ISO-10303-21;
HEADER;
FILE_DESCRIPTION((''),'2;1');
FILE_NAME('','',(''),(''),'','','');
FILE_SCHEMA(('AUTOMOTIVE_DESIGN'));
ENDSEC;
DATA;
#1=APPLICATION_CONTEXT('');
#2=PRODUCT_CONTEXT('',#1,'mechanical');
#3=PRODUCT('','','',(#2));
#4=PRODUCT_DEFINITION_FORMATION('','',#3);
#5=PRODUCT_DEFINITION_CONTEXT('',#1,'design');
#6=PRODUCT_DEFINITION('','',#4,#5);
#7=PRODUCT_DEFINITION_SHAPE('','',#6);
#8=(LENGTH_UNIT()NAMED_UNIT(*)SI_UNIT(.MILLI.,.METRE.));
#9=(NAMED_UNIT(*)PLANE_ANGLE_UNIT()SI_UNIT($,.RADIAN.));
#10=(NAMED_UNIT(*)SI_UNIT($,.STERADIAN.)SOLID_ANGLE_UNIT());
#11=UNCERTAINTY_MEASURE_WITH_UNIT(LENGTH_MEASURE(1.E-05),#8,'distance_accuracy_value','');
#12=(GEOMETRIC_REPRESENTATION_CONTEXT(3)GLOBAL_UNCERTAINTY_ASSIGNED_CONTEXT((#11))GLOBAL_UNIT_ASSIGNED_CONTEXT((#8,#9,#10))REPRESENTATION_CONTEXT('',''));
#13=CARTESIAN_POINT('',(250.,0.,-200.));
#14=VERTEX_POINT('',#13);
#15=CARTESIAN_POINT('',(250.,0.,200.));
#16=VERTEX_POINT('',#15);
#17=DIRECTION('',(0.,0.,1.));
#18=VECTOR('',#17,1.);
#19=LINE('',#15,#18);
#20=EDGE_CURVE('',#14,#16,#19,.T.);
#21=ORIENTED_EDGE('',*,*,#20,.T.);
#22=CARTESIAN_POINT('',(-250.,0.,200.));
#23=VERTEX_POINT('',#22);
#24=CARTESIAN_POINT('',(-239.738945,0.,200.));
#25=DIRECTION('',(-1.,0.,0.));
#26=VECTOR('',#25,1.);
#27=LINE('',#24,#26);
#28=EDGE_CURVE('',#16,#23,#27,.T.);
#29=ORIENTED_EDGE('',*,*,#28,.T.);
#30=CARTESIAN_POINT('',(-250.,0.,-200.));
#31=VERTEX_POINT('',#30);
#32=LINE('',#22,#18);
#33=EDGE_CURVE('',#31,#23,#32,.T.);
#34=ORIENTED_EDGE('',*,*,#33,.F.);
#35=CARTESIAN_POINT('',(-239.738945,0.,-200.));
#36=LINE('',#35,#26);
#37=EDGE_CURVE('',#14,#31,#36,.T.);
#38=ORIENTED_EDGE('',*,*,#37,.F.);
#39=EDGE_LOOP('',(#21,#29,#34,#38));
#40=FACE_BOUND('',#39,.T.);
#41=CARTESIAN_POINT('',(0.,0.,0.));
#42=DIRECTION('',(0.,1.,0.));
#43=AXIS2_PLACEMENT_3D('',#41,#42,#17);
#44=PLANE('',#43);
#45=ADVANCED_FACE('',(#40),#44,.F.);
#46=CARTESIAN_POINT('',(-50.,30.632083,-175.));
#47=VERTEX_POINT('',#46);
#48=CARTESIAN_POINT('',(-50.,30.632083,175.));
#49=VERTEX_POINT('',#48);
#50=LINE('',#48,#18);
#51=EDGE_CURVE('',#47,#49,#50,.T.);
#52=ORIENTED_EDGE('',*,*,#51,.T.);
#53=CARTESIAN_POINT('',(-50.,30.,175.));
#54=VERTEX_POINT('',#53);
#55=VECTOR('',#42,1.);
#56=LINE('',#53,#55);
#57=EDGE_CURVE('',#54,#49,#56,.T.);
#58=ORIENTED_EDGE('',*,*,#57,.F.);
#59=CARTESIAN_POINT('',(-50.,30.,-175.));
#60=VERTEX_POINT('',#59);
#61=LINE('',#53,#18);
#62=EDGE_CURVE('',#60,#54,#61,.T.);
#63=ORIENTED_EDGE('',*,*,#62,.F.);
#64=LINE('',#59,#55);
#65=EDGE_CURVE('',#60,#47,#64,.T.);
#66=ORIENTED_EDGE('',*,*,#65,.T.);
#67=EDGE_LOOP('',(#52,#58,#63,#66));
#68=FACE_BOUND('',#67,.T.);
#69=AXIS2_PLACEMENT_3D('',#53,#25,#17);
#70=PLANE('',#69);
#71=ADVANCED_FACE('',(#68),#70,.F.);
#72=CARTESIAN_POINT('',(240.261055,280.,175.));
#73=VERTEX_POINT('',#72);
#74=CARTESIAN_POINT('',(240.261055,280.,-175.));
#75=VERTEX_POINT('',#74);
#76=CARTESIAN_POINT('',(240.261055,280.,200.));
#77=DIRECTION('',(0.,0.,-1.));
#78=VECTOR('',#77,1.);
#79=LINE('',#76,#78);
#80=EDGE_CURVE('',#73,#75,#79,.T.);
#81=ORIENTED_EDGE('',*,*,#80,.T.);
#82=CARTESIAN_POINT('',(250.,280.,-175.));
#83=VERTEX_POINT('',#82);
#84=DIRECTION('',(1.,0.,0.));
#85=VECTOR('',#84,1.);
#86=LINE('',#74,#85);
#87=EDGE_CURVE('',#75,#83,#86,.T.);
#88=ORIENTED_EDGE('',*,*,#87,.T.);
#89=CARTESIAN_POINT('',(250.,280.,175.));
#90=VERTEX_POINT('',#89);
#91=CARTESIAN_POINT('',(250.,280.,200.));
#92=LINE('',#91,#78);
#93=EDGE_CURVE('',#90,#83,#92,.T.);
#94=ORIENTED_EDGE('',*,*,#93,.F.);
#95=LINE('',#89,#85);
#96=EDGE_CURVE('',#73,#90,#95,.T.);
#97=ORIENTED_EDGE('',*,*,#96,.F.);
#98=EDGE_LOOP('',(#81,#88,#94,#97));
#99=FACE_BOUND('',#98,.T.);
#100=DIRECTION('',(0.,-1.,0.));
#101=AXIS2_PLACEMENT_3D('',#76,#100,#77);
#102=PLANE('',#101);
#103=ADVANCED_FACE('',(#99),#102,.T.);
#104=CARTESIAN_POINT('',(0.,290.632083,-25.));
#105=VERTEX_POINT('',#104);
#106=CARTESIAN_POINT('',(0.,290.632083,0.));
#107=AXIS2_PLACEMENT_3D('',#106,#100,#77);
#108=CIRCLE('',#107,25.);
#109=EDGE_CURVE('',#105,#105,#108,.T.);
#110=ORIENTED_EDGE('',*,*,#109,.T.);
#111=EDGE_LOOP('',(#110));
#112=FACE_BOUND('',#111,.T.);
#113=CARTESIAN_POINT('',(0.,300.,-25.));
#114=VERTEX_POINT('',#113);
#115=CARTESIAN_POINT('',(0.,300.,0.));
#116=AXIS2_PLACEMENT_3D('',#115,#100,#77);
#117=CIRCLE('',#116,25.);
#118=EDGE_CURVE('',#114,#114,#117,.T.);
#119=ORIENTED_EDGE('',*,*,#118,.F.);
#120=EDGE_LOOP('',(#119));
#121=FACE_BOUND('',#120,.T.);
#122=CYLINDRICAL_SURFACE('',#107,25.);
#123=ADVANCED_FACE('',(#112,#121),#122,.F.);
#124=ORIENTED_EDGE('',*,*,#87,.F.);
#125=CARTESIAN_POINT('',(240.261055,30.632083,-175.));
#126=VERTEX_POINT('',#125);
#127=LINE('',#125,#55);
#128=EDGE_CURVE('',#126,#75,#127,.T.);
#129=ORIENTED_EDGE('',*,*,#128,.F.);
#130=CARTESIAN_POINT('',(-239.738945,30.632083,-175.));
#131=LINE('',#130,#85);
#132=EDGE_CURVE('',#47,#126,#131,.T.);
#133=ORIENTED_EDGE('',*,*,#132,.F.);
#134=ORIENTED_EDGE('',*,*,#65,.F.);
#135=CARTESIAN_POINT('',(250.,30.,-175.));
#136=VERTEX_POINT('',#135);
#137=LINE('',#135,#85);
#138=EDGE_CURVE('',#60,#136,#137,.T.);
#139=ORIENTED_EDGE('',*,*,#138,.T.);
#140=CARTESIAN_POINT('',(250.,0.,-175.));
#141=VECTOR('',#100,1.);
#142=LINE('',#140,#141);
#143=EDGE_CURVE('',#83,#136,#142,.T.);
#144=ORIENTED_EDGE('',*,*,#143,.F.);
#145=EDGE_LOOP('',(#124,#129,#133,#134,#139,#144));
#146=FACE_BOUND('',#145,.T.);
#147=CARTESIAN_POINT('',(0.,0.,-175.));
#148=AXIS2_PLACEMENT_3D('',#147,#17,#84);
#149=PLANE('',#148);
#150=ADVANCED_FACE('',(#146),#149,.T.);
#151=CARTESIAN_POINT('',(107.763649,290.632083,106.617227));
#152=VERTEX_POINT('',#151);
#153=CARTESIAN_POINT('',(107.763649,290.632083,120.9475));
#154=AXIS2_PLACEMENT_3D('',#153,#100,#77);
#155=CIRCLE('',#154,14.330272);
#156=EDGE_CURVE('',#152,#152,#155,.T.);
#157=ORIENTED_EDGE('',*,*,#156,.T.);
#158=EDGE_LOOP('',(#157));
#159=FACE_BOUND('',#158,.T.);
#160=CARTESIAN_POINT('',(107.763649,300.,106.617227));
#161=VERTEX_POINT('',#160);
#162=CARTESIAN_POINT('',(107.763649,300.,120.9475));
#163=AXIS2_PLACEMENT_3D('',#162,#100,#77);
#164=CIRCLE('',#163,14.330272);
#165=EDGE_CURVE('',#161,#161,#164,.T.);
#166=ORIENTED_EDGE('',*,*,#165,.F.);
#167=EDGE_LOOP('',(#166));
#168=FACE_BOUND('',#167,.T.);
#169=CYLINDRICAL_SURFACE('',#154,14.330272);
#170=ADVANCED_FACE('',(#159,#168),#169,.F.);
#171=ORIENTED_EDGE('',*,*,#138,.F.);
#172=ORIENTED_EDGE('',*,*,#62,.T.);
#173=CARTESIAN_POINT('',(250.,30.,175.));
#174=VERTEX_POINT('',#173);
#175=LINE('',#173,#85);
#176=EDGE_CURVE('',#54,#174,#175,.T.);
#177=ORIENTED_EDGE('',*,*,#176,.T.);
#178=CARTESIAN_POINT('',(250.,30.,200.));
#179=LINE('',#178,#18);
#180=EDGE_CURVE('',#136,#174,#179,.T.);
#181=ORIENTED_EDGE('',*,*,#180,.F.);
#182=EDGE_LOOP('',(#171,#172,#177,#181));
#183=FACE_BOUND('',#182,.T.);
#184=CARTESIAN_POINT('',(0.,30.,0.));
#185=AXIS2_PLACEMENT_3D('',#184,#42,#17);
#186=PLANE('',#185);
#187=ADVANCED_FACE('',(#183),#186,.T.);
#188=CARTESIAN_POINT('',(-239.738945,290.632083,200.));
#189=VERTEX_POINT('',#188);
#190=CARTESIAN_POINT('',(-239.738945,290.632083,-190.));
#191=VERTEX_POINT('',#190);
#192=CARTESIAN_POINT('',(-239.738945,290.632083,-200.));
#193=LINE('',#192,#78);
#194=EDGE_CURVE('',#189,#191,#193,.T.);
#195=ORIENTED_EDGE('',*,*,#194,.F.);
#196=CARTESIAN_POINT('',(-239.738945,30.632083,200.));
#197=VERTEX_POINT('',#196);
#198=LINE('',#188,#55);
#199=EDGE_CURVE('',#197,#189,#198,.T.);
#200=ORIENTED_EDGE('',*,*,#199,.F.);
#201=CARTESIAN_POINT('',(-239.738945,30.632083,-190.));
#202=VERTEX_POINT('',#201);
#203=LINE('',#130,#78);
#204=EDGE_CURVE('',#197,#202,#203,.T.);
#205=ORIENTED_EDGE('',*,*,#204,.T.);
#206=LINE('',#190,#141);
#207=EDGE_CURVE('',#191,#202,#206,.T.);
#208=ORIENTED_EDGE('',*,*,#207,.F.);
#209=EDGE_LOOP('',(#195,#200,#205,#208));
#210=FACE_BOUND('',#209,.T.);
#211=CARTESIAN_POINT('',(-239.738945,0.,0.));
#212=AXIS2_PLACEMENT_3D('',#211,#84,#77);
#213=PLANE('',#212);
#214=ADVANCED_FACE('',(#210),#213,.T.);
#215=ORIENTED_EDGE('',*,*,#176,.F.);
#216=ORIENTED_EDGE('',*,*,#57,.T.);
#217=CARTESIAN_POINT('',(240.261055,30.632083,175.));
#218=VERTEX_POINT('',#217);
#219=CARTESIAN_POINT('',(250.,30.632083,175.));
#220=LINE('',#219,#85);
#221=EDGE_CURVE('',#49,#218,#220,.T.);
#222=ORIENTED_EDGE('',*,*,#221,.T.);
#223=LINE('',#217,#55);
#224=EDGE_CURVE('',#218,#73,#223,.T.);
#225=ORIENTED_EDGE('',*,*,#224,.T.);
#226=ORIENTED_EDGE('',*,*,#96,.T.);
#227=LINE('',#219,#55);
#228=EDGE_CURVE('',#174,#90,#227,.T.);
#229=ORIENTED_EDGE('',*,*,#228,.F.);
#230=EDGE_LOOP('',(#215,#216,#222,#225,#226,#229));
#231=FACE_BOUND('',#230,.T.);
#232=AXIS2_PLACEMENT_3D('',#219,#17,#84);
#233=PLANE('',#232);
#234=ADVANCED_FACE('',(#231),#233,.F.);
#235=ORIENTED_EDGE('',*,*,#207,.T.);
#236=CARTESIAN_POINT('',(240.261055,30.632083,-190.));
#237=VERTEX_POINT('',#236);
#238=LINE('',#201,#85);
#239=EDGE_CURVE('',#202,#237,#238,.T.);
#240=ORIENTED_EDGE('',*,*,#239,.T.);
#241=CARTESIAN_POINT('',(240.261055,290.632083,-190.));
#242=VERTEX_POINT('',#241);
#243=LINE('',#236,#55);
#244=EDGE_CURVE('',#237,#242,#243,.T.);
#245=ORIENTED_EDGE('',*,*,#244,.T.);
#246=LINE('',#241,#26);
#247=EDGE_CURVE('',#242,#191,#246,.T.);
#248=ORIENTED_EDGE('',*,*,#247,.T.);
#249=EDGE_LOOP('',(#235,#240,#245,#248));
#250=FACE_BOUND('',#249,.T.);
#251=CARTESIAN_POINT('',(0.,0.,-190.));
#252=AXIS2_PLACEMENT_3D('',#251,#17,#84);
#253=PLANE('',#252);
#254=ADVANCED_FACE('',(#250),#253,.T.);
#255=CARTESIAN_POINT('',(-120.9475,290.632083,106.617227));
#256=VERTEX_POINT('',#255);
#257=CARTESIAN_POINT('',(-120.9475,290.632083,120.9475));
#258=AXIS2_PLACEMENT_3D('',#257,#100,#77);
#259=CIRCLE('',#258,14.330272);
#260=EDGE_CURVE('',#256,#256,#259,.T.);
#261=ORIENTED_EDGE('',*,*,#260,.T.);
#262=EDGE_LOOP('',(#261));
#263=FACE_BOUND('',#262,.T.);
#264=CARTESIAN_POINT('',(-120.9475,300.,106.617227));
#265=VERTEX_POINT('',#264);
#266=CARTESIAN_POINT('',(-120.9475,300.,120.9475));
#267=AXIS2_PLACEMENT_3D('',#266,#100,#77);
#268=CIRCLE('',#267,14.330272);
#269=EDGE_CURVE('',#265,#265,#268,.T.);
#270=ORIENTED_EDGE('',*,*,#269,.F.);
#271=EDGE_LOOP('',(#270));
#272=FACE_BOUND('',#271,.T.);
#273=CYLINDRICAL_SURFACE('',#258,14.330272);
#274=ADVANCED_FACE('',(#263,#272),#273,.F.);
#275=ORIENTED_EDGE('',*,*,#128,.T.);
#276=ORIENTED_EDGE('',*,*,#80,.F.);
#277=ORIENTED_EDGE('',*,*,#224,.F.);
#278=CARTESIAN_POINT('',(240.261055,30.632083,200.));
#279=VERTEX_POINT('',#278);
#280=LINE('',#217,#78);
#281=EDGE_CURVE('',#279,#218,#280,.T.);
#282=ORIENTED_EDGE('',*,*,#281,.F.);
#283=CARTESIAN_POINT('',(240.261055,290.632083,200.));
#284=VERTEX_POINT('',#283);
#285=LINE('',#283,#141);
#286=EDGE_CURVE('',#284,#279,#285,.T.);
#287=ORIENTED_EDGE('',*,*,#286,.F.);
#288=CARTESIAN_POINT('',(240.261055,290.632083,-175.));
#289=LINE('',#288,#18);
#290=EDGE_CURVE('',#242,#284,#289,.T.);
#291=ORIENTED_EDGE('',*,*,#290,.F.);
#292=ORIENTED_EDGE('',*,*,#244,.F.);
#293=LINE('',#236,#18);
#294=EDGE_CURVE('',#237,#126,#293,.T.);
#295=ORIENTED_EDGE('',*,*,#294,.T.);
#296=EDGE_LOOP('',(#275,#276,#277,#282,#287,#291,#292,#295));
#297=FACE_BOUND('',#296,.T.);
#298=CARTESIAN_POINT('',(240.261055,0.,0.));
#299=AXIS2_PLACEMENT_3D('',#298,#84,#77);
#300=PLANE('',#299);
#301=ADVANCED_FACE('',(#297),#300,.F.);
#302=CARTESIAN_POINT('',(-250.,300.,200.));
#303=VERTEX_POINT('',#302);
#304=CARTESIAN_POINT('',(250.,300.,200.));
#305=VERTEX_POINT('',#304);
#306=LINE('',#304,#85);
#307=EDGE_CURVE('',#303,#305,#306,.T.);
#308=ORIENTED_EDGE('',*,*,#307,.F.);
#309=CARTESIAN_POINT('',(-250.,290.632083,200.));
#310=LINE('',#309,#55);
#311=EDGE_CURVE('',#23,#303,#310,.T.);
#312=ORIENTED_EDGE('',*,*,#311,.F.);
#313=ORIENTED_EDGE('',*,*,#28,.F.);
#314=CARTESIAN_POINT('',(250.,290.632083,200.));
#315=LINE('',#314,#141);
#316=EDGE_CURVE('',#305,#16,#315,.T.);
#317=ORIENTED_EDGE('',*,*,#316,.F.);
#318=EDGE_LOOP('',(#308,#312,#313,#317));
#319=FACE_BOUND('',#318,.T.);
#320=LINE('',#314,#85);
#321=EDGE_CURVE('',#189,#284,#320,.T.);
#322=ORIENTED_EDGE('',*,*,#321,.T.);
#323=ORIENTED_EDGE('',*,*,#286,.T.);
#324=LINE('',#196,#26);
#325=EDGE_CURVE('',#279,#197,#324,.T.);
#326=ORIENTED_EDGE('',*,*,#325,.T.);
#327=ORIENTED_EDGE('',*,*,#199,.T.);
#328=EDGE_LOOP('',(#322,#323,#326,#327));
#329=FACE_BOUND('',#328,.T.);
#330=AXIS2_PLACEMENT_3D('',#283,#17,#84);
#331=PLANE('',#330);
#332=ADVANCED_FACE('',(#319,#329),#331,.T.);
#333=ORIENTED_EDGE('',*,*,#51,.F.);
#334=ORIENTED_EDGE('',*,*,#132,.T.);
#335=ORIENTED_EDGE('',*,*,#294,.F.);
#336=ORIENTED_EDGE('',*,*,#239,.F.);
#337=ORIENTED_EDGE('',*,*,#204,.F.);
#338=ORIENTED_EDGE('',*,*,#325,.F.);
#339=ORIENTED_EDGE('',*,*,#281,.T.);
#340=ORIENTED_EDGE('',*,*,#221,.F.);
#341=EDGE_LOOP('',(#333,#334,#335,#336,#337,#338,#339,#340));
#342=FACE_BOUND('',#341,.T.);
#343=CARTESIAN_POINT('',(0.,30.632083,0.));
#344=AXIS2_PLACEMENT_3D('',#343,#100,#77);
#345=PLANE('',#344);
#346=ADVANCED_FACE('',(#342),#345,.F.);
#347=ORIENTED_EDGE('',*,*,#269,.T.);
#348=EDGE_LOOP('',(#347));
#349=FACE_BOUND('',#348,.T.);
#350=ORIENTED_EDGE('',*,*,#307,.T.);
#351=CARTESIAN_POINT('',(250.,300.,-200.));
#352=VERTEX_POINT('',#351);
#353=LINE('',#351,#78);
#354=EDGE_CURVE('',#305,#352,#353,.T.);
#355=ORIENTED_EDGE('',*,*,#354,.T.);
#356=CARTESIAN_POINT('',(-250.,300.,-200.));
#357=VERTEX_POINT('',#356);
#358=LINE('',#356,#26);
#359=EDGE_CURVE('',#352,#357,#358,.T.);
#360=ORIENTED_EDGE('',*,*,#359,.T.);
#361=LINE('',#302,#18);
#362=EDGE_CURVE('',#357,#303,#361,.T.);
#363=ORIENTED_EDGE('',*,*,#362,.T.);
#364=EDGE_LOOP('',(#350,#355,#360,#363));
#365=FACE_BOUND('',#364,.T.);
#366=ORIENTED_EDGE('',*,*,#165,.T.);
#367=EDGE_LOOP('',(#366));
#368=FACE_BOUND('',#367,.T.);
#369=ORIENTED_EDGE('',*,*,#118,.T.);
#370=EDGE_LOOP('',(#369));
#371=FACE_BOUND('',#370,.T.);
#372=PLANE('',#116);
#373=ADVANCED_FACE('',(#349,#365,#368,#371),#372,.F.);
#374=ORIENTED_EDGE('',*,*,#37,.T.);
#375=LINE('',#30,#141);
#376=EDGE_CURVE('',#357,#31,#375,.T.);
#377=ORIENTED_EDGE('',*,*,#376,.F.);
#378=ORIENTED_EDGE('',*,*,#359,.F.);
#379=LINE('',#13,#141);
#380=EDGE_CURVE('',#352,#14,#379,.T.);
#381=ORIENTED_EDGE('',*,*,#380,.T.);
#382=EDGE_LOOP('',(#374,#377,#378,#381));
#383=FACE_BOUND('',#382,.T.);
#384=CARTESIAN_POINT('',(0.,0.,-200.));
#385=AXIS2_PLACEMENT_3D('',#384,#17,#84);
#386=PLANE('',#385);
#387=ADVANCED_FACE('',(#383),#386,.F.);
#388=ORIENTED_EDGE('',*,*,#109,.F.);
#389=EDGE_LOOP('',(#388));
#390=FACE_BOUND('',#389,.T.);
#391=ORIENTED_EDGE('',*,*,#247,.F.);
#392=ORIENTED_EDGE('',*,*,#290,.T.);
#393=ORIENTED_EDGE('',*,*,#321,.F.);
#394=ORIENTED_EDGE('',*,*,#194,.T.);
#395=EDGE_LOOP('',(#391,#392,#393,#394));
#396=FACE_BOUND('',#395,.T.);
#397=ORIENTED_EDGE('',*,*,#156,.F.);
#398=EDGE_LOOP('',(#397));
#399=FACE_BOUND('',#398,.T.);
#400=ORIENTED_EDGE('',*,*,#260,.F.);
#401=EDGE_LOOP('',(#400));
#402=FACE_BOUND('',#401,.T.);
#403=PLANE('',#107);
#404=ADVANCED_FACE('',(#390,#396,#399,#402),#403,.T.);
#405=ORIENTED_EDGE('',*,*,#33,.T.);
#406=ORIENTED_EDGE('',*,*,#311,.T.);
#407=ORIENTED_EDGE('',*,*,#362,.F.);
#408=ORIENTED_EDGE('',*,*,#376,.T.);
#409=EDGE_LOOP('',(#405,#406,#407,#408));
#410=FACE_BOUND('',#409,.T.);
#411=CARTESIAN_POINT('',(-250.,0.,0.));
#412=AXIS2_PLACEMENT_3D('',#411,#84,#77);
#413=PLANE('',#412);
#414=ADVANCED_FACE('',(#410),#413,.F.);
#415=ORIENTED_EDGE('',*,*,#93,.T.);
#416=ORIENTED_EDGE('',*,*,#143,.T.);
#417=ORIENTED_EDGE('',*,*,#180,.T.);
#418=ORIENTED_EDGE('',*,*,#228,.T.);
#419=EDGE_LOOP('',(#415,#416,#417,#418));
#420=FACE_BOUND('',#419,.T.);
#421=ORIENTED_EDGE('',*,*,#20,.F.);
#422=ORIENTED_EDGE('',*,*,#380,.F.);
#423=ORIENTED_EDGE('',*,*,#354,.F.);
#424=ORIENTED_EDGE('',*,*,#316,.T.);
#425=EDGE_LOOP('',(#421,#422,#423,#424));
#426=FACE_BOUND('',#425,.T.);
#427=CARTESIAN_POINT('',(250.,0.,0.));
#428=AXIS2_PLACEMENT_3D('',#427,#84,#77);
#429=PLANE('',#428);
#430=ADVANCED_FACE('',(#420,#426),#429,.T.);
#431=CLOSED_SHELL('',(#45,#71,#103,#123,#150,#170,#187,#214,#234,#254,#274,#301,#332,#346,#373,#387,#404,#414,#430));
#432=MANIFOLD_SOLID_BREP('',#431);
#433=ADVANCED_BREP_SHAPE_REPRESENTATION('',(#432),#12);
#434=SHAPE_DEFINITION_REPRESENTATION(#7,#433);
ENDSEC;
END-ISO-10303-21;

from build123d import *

# Parameters (mm, degrees)
SKETCH1_W                 = 375
SKETCH1_H                 = 10.632083078
BOSS_EXTRUDE1_DEPTH       = 9.738944775
SKETCH2_W                 = 9.738944775
SKETCH2_H                 = 25
BOSS_EXTRUDE2_DEPTH       = 249.367916922
BOSS_EXTRUDE3_DEPTH       = 0.632083078
SKETCH4_W                 = 489.738944775
SKETCH4_H                 = 375
BOSS_EXTRUDE4_DEPTH       = 30
SKETCH5_W                 = 489.738944775
SKETCH5_H                 = 290.632083078
BOSS_EXTRUDE5_DEPTH       = 25
SKETCH6_W                 = 400
SKETCH6_H                 = 290.632083078
BOSS_EXTRUDE6_DEPTH       = 10.261055225
SKETCH7_W                 = 500
SKETCH7_H                 = 400
BOSS_EXTRUDE7_DEPTH       = 9.367916922
SKETCH8_W                 = 480
SKETCH8_H                 = 260
CUT_EXTRUDE1_DEPTH        = 15
M25_CLEARANCE_HOLE1_D     = 28.660544953
M25_CLEARANCE_HOLE1_DEPTH = 9.367916922
M45_CLEARANCE_HOLE1_D     = 50
M45_CLEARANCE_HOLE1_DEPTH = 9.367916922


with BuildPart() as part:
    # Sketch1 → Boss-Extrude1 (new body)
    with BuildSketch(Plane(origin=(250, 0, 0), x_dir=(0, 0, -1), z_dir=(1, 0, 0))):
        with Locations((-12.5, 285.316041539)):
            Rectangle(SKETCH1_W, SKETCH1_H)
    extrude(amount=-BOSS_EXTRUDE1_DEPTH)

    # Sketch2 → Boss-Extrude2 (add)
    with BuildSketch(Plane.XZ.offset(-280)):
        with Locations((245.130527613, 187.5)):
            Rectangle(SKETCH2_W, SKETCH2_H)
    extrude(amount=BOSS_EXTRUDE2_DEPTH)

    # Sketch3 → Boss-Extrude3 (add)
    with BuildSketch(Plane.XZ.offset(-30.632083078)):
        Polygon((-50, 175), (-50, -175), (-239.738944775, -175), (-239.738944775, 200), (250, 200), (250, 175), align=None)
    extrude(amount=BOSS_EXTRUDE3_DEPTH)

    # Sketch4 → Boss-Extrude4 (add)
    with BuildSketch(Plane.XZ.offset(-30)):
        with Locations((5.130527613, 12.5)):
            Rectangle(SKETCH4_W, SKETCH4_H)
    extrude(amount=BOSS_EXTRUDE4_DEPTH)

    # Sketch5 → Boss-Extrude5 (add)
    with BuildSketch(Plane(origin=(0, 0, -175), x_dir=(-1, 0, 0), z_dir=(0, 0, -1))):
        with Locations((-5.130527613, 145.316041539)):
            Rectangle(SKETCH5_W, SKETCH5_H)
    extrude(amount=BOSS_EXTRUDE5_DEPTH)

    # Sketch6 → Boss-Extrude6 (add)
    with BuildSketch(Plane.ZY.offset(239.738944775)):
        with Locations((0, 145.316041539)):
            Rectangle(SKETCH6_W, SKETCH6_H)
    extrude(amount=BOSS_EXTRUDE6_DEPTH)

    # Sketch7 → Boss-Extrude7 (add)
    with BuildSketch(Plane(origin=(0, 290.632083078, 0), x_dir=(-1, 0, 0), z_dir=(0, 1, 0))):
        Rectangle(SKETCH7_W, SKETCH7_H)
    extrude(amount=BOSS_EXTRUDE7_DEPTH)

    # Sketch8 → Cut-Extrude1 (cut)
    with BuildSketch(Plane.XY.offset(-175)):
        with Locations((0.261055225, 160.632083078)):
            Rectangle(SKETCH8_W, SKETCH8_H)
    extrude(amount=-CUT_EXTRUDE1_DEPTH, mode=Mode.SUBTRACT)

    # M25 Clearance Hole1
    with Locations(Plane(origin=(0, 290.632083078, 0), x_dir=(-1, 0, 0), z_dir=(0, -1, 0))):
        with Locations((-107.763649025, -120.947499703), (120.947499703, -120.947499703)):
            Hole(M25_CLEARANCE_HOLE1_D / 2, depth=M25_CLEARANCE_HOLE1_DEPTH)

    # M45 Clearance Hole1
    with Locations(Plane(origin=(0, 290.632083078, 0), x_dir=(-1, 0, 0), z_dir=(0, -1, 0))):
        with Locations((0, 0)):
            Hole(M45_CLEARANCE_HOLE1_D / 2, depth=M45_CLEARANCE_HOLE1_DEPTH)


solid = part.part
